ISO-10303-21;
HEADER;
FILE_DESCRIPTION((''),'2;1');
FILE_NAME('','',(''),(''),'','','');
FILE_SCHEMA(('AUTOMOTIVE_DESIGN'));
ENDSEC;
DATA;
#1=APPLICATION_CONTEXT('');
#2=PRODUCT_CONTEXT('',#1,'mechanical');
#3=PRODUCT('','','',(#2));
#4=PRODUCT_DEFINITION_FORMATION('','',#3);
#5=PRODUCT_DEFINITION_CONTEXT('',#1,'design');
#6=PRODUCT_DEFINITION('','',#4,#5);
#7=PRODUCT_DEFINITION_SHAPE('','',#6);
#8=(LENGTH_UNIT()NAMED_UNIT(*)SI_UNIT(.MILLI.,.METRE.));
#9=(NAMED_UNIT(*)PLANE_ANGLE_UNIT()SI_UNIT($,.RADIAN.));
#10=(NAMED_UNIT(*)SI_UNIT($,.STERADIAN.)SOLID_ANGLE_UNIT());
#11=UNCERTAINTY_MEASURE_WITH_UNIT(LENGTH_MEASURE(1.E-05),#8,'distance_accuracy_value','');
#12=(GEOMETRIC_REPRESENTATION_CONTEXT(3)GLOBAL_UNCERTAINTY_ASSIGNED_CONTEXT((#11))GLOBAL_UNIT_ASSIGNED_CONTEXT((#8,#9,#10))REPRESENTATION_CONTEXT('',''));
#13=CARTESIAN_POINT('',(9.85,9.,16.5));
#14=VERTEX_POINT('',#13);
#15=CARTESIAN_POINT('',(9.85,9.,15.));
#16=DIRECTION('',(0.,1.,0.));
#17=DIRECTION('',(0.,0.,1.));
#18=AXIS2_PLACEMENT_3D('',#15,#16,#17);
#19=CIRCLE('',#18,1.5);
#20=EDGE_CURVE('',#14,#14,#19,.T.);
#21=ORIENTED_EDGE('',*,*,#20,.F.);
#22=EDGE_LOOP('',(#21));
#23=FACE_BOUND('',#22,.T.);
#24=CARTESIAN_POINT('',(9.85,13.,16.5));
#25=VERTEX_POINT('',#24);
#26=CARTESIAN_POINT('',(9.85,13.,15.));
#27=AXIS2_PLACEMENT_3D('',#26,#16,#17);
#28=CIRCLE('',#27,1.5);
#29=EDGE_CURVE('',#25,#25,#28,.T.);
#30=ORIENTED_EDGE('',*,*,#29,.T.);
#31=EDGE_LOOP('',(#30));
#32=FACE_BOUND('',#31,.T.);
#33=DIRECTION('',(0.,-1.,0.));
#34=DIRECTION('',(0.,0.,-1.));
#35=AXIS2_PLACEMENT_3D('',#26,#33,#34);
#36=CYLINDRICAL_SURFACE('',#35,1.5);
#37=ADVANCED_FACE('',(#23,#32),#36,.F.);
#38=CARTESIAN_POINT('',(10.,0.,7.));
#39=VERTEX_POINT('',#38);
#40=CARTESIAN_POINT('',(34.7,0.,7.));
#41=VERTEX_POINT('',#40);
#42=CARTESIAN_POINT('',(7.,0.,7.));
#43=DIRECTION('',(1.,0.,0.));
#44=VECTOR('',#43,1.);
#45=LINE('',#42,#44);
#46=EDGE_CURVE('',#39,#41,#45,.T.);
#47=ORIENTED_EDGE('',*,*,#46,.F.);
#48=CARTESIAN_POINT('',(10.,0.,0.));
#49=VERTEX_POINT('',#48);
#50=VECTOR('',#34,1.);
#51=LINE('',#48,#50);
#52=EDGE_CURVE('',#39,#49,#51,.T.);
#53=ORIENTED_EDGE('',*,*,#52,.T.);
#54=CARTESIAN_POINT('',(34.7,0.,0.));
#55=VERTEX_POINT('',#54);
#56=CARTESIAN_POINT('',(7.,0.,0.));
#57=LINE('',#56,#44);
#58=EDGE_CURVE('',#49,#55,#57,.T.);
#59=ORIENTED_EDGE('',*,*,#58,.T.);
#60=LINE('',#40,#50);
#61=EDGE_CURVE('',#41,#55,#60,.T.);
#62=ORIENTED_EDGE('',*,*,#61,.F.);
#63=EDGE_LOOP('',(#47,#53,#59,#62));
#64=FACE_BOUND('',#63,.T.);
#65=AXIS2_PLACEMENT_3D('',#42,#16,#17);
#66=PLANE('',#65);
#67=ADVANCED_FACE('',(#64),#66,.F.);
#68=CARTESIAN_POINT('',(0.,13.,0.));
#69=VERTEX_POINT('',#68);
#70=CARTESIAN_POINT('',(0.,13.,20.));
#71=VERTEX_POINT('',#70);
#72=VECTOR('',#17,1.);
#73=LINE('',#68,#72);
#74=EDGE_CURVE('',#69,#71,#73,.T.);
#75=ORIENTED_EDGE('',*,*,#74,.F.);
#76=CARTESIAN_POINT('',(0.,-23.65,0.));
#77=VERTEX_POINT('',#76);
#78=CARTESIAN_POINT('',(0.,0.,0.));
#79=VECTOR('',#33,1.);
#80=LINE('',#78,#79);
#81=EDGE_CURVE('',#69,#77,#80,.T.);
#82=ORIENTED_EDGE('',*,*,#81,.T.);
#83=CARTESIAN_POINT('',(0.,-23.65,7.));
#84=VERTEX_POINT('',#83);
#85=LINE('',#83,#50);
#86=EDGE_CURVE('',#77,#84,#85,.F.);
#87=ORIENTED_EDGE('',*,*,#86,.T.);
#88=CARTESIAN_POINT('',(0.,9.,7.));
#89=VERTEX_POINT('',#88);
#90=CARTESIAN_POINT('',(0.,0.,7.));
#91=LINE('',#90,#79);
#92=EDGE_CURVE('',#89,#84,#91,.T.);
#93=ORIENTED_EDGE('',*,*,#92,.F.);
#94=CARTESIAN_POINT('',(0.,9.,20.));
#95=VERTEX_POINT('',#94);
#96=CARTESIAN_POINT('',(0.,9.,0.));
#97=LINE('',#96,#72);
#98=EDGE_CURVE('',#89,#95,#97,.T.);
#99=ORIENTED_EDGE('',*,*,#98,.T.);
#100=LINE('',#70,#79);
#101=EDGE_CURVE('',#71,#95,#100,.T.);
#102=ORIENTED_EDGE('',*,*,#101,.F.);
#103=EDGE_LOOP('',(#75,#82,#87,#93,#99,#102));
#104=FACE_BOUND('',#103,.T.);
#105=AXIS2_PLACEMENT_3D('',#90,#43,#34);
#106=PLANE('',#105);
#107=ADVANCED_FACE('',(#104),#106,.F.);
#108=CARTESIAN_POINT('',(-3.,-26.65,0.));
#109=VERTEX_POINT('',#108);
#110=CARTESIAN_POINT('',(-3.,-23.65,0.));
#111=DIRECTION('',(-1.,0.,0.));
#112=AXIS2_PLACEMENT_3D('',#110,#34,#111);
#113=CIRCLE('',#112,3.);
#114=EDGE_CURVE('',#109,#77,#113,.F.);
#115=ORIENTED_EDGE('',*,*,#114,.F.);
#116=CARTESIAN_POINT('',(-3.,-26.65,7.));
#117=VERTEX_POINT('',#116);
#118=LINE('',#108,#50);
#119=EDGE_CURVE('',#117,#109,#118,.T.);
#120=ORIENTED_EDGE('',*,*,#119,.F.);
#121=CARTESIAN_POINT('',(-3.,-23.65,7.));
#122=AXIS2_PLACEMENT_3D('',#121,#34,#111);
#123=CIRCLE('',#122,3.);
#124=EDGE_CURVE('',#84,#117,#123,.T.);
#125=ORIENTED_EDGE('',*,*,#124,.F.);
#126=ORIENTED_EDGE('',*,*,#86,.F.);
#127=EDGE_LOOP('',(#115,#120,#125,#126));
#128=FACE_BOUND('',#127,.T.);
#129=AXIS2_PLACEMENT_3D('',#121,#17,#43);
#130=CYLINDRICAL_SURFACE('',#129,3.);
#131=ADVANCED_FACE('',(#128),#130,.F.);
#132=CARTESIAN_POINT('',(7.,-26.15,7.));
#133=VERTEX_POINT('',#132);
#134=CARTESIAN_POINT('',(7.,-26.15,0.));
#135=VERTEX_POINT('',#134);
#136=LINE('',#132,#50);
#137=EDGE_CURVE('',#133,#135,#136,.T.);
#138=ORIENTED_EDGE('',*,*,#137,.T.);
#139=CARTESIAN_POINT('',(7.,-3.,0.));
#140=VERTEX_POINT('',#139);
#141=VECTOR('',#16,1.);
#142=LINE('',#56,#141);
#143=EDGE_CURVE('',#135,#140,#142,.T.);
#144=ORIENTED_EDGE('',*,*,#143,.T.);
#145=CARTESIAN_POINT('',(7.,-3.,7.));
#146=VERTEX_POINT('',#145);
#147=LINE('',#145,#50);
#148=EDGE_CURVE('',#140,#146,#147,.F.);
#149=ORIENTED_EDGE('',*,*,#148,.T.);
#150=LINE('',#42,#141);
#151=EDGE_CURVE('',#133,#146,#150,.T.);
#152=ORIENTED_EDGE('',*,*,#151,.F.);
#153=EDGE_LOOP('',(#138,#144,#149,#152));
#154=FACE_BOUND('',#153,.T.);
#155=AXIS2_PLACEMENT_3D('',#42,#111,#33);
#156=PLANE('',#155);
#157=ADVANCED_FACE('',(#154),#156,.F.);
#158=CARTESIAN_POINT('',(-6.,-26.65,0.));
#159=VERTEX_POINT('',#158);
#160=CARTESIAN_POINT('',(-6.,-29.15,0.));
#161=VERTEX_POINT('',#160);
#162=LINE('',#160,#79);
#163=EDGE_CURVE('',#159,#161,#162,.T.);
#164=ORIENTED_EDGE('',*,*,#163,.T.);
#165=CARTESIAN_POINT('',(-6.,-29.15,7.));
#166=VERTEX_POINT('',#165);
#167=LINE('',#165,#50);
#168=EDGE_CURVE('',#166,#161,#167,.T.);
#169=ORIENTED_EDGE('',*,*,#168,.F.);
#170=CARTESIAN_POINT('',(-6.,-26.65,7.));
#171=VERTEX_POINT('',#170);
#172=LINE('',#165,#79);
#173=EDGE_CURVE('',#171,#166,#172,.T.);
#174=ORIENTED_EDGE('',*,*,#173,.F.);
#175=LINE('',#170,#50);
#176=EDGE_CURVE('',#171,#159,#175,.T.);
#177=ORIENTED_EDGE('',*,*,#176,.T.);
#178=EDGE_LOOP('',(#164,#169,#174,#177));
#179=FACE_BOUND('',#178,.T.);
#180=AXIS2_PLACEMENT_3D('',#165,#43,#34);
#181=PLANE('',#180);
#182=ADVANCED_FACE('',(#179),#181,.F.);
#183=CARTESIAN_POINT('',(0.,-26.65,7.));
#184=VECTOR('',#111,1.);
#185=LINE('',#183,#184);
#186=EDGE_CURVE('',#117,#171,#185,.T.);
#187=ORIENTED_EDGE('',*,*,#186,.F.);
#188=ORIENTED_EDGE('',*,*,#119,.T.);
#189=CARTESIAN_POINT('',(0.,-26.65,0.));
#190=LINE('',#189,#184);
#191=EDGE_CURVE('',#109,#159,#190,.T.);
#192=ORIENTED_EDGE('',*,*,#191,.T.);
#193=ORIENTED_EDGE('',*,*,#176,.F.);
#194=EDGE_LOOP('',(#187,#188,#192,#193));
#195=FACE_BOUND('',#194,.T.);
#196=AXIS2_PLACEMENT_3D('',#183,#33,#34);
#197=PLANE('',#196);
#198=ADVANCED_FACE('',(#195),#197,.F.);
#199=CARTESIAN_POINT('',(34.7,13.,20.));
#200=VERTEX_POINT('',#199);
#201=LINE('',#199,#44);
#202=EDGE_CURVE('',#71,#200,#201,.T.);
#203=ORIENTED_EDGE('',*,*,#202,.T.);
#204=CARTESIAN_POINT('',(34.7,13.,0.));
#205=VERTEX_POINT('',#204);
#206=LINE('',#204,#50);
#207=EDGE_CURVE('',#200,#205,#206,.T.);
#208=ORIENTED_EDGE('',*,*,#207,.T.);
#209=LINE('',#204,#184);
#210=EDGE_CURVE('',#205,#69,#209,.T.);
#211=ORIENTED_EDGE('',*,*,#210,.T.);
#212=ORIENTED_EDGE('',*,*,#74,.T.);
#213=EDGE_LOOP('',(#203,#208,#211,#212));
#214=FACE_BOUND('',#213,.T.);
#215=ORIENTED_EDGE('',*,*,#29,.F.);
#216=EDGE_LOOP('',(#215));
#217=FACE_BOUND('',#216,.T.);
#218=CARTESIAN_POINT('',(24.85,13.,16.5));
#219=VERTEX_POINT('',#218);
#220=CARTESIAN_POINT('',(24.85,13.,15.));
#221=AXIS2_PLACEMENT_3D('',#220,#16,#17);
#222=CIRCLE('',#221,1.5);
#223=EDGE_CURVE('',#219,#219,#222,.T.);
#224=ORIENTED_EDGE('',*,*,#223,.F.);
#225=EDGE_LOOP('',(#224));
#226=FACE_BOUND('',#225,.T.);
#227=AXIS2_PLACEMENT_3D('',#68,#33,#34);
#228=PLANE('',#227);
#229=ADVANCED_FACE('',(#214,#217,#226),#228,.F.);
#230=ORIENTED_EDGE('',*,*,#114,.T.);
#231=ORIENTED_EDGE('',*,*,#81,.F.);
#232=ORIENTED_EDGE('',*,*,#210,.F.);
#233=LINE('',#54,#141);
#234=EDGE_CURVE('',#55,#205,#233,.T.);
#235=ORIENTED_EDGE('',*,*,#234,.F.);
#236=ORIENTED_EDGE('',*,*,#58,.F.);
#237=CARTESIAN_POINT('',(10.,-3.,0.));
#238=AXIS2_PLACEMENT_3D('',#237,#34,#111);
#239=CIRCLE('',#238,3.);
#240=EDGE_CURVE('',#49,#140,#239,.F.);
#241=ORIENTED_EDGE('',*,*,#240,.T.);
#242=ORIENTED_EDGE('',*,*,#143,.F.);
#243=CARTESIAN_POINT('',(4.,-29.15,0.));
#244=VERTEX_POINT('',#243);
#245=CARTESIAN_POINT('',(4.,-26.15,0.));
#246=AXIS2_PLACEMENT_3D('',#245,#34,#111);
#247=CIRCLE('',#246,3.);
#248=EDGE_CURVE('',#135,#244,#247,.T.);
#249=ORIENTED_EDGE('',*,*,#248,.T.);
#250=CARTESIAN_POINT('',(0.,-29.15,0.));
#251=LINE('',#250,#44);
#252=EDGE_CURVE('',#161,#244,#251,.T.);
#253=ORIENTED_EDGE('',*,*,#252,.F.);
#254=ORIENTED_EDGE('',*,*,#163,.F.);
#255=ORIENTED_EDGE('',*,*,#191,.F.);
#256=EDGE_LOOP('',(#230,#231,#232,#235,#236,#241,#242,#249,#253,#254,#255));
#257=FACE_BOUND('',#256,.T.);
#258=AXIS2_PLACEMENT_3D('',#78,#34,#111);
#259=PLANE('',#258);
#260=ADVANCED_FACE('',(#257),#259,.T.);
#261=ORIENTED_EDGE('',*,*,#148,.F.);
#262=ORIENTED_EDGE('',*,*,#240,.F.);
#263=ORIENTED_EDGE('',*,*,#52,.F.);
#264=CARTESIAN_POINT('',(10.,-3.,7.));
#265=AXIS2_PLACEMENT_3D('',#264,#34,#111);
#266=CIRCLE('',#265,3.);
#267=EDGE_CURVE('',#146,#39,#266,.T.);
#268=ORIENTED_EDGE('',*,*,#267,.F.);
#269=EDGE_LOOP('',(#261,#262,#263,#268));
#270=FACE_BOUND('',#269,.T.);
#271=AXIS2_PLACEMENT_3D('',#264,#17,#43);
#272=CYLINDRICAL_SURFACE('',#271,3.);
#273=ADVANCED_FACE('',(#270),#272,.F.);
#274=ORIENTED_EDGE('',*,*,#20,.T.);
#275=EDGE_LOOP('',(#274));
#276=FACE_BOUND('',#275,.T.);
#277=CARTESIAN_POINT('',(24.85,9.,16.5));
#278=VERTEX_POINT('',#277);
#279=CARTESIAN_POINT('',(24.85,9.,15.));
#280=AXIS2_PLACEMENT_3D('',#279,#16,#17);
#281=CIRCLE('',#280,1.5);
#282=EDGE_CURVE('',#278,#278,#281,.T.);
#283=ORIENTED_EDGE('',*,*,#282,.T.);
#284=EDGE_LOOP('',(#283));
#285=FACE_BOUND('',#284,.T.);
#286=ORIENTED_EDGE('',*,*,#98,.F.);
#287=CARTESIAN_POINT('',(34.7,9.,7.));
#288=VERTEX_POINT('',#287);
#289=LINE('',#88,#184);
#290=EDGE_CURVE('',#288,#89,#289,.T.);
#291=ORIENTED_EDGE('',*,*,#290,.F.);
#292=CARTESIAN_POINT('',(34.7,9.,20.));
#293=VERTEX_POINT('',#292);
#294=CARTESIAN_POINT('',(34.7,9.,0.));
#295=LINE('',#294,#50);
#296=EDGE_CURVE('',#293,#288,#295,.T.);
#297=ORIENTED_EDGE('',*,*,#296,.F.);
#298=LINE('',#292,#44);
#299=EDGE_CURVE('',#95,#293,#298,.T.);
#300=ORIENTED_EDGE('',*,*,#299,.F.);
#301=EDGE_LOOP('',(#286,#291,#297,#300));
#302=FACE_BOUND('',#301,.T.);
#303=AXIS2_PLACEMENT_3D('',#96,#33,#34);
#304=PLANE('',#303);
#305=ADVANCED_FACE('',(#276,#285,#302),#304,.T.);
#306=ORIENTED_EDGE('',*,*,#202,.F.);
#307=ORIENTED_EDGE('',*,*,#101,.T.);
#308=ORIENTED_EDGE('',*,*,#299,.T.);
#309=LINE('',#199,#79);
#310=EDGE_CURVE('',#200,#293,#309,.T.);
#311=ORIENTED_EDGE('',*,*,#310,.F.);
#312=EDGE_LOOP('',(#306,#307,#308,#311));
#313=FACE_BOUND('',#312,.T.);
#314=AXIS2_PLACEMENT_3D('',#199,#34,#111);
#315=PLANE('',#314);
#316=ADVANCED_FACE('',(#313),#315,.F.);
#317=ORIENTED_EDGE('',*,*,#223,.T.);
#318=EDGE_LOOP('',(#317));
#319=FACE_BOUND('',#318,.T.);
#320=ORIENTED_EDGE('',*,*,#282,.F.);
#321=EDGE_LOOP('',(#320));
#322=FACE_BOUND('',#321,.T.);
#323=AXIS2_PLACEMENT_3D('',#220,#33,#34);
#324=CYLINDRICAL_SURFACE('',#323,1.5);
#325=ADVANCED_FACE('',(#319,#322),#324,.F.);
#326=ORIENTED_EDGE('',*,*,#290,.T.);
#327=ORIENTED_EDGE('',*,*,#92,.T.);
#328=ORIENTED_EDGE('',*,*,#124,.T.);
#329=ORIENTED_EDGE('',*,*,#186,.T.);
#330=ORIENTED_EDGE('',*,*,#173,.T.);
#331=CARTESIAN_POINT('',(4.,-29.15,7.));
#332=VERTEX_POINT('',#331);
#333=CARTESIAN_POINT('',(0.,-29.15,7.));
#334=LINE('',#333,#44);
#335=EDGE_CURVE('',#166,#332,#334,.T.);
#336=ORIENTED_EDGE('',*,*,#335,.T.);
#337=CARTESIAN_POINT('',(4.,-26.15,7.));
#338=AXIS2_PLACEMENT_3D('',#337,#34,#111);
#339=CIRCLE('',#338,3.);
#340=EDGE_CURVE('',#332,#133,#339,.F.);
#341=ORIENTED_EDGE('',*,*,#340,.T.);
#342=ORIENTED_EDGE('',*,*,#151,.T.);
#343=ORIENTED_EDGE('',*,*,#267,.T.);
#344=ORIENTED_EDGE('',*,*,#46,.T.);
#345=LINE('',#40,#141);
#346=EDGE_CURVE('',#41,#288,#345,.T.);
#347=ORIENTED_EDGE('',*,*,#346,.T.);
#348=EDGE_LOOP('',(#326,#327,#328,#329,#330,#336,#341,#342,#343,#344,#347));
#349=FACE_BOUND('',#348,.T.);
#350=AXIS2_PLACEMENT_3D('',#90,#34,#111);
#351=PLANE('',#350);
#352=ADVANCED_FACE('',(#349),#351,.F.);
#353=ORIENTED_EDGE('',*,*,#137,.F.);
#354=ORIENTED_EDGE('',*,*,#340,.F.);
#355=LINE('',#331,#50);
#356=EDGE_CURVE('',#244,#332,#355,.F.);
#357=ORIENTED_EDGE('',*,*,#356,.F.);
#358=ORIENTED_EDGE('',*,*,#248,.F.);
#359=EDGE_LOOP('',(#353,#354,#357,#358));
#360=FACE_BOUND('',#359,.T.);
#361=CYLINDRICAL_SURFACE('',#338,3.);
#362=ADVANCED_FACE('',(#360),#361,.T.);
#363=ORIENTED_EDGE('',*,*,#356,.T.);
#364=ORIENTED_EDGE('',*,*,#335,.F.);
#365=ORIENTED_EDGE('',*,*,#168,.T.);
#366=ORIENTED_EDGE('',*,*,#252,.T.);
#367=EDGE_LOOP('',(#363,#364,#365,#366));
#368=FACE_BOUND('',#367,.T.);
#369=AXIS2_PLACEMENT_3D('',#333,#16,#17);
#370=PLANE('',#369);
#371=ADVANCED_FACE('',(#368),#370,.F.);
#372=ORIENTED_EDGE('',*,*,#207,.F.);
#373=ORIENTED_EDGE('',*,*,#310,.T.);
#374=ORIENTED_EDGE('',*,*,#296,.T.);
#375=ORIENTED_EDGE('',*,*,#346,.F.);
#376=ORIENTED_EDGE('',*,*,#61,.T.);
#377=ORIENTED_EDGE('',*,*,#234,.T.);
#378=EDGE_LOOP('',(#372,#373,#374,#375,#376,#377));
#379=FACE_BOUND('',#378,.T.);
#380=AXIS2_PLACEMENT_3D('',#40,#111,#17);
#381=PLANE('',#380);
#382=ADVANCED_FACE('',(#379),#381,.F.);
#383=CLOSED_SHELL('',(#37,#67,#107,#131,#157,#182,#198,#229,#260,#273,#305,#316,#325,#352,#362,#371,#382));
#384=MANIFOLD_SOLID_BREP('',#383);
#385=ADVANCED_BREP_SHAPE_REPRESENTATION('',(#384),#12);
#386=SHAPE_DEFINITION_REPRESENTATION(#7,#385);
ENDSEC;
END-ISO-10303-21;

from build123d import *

# Parameters (mm, degrees)
BOSS_EXTRUDE1_DEPTH = 7
FILLET1_R           = 3
SKETCH3_W           = 34.7
SKETCH3_H           = 20
SKETCH3_R           = 1.5
BOSS_EXTRUDE2_DEPTH = 4


with BuildPart() as part:
    # Sketch1 → Boss-Extrude1 (new body)
    with BuildSketch(Plane.XY):
        Polygon((7, 0), (34.7, 0), (34.7, 9), (0, 9), (0, 0), (0, -26.65), (-6, -26.65), (-6, -29.15), (0, -29.15), (7, -29.15), align=None)
    extrude(amount=BOSS_EXTRUDE1_DEPTH)

    # Fillet1
    fillet1_edges = [part.edges().sort_by_distance(p)[0] for p in [
        (7, 0, 3.5),
        (7, -29.15, 3.5),
        (0, -26.65, 3.5),
    ]]
    fillet(fillet1_edges, radius=FILLET1_R)

    # Sketch3 → Boss-Extrude2 (add)
    with BuildSketch(Plane(origin=(0, 9, 0), x_dir=(1, 0, 0), z_dir=(0, 1, 0))):
        with Locations((17.35, -10)):
            Rectangle(SKETCH3_W, SKETCH3_H)
        with Locations(Location((24.85, -15, 0), (0, 0, 270))):
            Circle(SKETCH3_R, mode=Mode.SUBTRACT)
        with Locations(Location((9.85, -15, 0), (0, 0, 270))):
            Circle(SKETCH3_R, mode=Mode.SUBTRACT)
    extrude(amount=BOSS_EXTRUDE2_DEPTH)


solid = part.part
